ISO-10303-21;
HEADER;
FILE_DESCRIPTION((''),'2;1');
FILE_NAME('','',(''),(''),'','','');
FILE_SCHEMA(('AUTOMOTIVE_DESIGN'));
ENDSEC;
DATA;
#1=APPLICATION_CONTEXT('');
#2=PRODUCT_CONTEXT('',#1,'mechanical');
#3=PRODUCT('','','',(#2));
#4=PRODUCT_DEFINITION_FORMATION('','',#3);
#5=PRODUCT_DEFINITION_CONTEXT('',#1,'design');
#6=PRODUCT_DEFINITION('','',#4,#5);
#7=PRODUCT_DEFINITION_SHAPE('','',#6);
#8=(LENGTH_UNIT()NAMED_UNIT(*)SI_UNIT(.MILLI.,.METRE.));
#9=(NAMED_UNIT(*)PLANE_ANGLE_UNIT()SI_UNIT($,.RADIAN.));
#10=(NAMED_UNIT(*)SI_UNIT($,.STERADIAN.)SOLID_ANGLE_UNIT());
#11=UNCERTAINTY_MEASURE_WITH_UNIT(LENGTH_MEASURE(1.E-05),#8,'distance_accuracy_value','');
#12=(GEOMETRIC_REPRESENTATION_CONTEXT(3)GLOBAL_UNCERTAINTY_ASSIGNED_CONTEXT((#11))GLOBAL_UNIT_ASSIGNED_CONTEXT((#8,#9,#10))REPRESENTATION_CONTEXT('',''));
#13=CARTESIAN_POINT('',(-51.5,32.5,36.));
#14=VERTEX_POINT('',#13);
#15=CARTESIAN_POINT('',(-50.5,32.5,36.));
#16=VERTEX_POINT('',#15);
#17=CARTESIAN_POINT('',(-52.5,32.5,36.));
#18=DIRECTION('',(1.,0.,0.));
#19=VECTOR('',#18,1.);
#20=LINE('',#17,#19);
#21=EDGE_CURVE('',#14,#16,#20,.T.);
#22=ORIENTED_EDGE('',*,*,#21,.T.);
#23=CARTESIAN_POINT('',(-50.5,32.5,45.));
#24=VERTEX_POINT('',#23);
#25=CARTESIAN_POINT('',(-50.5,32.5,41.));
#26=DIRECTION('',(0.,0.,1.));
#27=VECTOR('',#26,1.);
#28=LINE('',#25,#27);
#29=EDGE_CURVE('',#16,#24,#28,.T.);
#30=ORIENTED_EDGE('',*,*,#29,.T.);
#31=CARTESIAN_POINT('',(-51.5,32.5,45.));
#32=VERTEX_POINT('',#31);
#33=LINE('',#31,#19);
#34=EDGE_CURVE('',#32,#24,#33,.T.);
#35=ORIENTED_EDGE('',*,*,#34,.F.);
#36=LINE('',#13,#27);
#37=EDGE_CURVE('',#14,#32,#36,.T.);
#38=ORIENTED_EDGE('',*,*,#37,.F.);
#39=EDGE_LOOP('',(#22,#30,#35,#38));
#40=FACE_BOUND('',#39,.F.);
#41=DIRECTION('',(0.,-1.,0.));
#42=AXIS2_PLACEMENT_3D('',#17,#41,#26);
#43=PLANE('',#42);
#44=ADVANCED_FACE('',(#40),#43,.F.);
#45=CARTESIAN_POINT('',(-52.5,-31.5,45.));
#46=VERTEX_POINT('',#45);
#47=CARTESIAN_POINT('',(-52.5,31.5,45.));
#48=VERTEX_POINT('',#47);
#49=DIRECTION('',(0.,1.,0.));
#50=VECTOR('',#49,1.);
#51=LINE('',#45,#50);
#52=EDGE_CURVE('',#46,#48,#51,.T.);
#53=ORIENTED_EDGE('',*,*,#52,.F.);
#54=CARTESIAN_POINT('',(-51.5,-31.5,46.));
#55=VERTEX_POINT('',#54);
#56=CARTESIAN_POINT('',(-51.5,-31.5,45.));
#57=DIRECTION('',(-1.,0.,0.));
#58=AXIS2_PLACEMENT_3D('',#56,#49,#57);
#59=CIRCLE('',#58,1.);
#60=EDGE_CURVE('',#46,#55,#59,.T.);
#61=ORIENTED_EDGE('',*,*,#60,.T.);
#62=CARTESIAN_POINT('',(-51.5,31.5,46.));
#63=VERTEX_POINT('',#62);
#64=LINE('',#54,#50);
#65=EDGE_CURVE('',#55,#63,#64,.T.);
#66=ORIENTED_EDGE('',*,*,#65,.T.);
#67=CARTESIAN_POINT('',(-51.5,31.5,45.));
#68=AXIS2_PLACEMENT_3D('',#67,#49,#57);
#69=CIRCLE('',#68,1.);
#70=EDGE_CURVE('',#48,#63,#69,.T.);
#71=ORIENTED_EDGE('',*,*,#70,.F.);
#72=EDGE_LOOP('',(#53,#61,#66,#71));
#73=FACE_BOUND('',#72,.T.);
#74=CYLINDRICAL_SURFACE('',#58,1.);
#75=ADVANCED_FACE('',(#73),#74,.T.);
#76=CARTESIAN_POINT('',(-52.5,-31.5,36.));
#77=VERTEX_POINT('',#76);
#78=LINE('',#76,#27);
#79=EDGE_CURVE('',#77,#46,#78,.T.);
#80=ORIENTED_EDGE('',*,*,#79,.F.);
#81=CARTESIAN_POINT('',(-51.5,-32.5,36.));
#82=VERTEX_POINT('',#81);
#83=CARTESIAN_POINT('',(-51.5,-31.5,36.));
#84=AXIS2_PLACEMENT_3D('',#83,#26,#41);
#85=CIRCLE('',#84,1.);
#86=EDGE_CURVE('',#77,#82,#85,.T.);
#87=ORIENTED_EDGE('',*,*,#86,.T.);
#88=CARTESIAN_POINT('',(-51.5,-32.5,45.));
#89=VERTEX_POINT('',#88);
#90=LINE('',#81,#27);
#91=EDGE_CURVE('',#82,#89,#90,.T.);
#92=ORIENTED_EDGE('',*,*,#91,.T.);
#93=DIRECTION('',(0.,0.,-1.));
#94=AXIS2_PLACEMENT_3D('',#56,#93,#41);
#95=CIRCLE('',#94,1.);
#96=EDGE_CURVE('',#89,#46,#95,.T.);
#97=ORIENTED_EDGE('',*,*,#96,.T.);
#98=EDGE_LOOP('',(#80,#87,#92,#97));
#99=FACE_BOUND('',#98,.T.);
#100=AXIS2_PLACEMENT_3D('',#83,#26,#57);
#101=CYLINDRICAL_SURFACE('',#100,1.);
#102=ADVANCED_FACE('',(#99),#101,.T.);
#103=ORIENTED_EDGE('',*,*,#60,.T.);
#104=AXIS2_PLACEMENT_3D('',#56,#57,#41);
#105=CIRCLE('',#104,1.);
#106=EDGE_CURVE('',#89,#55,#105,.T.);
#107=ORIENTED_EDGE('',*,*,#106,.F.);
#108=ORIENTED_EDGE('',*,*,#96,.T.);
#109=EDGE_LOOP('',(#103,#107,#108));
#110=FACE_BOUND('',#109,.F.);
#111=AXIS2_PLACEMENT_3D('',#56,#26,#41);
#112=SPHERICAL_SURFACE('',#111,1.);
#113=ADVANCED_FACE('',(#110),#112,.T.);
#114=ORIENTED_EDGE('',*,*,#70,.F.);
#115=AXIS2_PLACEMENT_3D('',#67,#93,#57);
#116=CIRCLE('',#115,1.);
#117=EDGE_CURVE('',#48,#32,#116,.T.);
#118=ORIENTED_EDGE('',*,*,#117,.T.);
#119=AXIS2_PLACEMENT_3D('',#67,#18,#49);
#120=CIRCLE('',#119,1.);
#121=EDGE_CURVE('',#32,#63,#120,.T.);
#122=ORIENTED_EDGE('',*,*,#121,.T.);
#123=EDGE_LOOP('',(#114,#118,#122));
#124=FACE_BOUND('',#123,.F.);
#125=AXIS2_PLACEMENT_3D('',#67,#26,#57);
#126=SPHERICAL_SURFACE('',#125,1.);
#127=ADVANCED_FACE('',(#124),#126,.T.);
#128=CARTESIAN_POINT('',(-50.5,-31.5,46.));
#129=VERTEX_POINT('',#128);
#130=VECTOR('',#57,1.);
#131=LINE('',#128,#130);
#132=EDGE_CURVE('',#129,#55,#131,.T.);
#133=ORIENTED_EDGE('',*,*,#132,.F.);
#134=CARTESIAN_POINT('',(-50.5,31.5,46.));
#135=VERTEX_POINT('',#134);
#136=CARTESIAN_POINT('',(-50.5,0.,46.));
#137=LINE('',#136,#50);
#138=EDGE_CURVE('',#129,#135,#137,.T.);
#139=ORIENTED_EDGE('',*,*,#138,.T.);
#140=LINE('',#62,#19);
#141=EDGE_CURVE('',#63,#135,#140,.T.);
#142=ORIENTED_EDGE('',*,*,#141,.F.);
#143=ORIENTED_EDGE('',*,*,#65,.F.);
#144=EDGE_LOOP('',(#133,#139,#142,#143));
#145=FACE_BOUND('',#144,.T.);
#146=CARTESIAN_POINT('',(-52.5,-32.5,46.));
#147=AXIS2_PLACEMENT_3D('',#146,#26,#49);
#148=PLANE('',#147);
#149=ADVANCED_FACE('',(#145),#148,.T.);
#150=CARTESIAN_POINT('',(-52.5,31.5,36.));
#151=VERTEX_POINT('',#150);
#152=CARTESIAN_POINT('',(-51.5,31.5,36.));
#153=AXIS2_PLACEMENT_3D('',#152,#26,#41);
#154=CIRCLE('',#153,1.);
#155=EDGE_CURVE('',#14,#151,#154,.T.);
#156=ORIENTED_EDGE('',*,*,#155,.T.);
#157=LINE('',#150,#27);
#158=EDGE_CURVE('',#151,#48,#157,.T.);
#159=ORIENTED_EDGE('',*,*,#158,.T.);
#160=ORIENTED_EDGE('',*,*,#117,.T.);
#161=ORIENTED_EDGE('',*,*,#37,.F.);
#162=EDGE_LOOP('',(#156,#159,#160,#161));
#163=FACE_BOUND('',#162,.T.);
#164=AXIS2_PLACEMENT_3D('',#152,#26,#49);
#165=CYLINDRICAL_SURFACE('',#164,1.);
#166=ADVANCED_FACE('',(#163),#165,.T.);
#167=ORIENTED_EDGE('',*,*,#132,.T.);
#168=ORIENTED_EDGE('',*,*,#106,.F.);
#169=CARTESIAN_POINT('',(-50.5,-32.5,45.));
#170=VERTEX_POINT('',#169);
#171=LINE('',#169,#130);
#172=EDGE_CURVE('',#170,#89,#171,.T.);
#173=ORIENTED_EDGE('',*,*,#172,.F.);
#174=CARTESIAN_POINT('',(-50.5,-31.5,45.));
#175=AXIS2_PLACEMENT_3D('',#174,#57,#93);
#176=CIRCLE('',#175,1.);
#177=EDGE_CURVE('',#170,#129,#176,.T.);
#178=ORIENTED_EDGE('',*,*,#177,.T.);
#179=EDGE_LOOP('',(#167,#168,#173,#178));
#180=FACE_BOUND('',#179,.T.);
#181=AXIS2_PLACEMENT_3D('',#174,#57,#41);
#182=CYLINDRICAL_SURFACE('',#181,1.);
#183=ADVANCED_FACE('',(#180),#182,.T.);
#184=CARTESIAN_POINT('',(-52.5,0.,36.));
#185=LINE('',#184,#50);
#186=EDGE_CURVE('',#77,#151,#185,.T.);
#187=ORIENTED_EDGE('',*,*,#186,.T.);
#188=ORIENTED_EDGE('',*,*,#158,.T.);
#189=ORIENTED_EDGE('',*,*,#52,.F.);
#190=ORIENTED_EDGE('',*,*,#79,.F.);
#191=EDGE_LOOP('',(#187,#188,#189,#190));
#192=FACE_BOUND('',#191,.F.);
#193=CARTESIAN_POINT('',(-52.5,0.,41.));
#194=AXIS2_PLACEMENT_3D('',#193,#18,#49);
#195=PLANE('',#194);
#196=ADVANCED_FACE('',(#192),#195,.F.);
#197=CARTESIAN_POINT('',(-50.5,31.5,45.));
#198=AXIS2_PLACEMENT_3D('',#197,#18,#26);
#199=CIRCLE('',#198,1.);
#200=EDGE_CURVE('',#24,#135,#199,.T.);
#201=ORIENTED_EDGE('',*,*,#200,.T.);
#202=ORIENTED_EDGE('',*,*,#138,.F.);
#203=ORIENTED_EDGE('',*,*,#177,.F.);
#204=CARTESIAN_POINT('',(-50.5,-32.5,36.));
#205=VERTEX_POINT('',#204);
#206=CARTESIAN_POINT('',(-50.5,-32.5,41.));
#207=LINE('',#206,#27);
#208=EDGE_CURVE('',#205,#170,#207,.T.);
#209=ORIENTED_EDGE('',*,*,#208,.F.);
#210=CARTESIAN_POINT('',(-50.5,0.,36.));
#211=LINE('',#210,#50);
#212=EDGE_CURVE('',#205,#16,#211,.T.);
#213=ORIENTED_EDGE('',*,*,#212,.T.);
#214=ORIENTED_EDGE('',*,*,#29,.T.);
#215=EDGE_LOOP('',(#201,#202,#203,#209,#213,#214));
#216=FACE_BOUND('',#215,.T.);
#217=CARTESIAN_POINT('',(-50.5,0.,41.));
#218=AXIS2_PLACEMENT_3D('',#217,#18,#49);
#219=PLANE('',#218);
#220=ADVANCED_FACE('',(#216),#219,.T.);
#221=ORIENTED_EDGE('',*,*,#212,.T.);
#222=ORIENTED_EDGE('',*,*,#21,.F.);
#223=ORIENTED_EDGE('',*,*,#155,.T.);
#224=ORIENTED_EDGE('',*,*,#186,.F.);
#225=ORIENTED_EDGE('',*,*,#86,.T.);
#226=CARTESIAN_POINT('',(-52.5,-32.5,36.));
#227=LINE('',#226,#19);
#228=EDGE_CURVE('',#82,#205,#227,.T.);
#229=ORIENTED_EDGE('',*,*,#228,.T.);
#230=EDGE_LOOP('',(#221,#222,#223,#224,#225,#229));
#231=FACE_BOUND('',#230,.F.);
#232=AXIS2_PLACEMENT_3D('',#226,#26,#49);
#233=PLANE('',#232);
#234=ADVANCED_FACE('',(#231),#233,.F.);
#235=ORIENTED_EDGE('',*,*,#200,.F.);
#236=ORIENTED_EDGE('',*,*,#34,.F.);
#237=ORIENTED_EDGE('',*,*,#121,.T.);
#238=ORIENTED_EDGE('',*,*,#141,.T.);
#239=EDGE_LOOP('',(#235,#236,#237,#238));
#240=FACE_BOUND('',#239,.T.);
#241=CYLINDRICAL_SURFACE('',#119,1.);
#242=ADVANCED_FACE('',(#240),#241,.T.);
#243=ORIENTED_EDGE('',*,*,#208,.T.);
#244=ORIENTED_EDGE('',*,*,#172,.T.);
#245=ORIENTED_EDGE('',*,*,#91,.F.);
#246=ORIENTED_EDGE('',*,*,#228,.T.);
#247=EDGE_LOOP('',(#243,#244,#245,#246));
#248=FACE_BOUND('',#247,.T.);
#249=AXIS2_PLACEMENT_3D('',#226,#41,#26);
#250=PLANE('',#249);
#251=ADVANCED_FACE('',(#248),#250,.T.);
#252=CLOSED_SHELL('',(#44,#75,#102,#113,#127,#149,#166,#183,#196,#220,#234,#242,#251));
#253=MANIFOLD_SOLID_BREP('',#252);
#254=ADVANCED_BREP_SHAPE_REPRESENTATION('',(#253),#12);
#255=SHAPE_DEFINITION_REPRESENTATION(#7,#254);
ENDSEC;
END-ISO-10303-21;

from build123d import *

# Parameters (mm, degrees)
SKETCH009_W  = 65
SKETCH009_H  = 10
PAD008_DEPTH = 2
FILLET013_R  = 1
FILLET020_R  = 1
FILLET027_R  = 1


with BuildPart() as part:
    # Sketch009 → Pad008 (new body)
    with BuildSketch(Plane.YZ):
        with Locations((0, 5)):
            Rectangle(SKETCH009_W, SKETCH009_H)
    extrude(amount=PAD008_DEPTH)

    # Fillet013
    fillet013_edges = [part.edges().sort_by_distance(p)[0] for p in [
        (0, 32.5, 5),
    ]]
    fillet(fillet013_edges, radius=FILLET013_R)

    # Fillet020
    fillet020_edges = [part.edges().sort_by_distance(p)[0] for p in [
        (0, -32.5, 5),
    ]]
    fillet(fillet020_edges, radius=FILLET020_R)

    # Fillet027
    fillet027_edges = [part.edges().sort_by_distance(p)[0] for p in [
        (0, 0, 10),
    ]]
    fillet(fillet027_edges, radius=FILLET027_R)


with BuildPart() as part_1:
    # Body008 placement: moved
    add(part.part.moved(Location((-52.5, 0, 36))))


solid = part_1.part
